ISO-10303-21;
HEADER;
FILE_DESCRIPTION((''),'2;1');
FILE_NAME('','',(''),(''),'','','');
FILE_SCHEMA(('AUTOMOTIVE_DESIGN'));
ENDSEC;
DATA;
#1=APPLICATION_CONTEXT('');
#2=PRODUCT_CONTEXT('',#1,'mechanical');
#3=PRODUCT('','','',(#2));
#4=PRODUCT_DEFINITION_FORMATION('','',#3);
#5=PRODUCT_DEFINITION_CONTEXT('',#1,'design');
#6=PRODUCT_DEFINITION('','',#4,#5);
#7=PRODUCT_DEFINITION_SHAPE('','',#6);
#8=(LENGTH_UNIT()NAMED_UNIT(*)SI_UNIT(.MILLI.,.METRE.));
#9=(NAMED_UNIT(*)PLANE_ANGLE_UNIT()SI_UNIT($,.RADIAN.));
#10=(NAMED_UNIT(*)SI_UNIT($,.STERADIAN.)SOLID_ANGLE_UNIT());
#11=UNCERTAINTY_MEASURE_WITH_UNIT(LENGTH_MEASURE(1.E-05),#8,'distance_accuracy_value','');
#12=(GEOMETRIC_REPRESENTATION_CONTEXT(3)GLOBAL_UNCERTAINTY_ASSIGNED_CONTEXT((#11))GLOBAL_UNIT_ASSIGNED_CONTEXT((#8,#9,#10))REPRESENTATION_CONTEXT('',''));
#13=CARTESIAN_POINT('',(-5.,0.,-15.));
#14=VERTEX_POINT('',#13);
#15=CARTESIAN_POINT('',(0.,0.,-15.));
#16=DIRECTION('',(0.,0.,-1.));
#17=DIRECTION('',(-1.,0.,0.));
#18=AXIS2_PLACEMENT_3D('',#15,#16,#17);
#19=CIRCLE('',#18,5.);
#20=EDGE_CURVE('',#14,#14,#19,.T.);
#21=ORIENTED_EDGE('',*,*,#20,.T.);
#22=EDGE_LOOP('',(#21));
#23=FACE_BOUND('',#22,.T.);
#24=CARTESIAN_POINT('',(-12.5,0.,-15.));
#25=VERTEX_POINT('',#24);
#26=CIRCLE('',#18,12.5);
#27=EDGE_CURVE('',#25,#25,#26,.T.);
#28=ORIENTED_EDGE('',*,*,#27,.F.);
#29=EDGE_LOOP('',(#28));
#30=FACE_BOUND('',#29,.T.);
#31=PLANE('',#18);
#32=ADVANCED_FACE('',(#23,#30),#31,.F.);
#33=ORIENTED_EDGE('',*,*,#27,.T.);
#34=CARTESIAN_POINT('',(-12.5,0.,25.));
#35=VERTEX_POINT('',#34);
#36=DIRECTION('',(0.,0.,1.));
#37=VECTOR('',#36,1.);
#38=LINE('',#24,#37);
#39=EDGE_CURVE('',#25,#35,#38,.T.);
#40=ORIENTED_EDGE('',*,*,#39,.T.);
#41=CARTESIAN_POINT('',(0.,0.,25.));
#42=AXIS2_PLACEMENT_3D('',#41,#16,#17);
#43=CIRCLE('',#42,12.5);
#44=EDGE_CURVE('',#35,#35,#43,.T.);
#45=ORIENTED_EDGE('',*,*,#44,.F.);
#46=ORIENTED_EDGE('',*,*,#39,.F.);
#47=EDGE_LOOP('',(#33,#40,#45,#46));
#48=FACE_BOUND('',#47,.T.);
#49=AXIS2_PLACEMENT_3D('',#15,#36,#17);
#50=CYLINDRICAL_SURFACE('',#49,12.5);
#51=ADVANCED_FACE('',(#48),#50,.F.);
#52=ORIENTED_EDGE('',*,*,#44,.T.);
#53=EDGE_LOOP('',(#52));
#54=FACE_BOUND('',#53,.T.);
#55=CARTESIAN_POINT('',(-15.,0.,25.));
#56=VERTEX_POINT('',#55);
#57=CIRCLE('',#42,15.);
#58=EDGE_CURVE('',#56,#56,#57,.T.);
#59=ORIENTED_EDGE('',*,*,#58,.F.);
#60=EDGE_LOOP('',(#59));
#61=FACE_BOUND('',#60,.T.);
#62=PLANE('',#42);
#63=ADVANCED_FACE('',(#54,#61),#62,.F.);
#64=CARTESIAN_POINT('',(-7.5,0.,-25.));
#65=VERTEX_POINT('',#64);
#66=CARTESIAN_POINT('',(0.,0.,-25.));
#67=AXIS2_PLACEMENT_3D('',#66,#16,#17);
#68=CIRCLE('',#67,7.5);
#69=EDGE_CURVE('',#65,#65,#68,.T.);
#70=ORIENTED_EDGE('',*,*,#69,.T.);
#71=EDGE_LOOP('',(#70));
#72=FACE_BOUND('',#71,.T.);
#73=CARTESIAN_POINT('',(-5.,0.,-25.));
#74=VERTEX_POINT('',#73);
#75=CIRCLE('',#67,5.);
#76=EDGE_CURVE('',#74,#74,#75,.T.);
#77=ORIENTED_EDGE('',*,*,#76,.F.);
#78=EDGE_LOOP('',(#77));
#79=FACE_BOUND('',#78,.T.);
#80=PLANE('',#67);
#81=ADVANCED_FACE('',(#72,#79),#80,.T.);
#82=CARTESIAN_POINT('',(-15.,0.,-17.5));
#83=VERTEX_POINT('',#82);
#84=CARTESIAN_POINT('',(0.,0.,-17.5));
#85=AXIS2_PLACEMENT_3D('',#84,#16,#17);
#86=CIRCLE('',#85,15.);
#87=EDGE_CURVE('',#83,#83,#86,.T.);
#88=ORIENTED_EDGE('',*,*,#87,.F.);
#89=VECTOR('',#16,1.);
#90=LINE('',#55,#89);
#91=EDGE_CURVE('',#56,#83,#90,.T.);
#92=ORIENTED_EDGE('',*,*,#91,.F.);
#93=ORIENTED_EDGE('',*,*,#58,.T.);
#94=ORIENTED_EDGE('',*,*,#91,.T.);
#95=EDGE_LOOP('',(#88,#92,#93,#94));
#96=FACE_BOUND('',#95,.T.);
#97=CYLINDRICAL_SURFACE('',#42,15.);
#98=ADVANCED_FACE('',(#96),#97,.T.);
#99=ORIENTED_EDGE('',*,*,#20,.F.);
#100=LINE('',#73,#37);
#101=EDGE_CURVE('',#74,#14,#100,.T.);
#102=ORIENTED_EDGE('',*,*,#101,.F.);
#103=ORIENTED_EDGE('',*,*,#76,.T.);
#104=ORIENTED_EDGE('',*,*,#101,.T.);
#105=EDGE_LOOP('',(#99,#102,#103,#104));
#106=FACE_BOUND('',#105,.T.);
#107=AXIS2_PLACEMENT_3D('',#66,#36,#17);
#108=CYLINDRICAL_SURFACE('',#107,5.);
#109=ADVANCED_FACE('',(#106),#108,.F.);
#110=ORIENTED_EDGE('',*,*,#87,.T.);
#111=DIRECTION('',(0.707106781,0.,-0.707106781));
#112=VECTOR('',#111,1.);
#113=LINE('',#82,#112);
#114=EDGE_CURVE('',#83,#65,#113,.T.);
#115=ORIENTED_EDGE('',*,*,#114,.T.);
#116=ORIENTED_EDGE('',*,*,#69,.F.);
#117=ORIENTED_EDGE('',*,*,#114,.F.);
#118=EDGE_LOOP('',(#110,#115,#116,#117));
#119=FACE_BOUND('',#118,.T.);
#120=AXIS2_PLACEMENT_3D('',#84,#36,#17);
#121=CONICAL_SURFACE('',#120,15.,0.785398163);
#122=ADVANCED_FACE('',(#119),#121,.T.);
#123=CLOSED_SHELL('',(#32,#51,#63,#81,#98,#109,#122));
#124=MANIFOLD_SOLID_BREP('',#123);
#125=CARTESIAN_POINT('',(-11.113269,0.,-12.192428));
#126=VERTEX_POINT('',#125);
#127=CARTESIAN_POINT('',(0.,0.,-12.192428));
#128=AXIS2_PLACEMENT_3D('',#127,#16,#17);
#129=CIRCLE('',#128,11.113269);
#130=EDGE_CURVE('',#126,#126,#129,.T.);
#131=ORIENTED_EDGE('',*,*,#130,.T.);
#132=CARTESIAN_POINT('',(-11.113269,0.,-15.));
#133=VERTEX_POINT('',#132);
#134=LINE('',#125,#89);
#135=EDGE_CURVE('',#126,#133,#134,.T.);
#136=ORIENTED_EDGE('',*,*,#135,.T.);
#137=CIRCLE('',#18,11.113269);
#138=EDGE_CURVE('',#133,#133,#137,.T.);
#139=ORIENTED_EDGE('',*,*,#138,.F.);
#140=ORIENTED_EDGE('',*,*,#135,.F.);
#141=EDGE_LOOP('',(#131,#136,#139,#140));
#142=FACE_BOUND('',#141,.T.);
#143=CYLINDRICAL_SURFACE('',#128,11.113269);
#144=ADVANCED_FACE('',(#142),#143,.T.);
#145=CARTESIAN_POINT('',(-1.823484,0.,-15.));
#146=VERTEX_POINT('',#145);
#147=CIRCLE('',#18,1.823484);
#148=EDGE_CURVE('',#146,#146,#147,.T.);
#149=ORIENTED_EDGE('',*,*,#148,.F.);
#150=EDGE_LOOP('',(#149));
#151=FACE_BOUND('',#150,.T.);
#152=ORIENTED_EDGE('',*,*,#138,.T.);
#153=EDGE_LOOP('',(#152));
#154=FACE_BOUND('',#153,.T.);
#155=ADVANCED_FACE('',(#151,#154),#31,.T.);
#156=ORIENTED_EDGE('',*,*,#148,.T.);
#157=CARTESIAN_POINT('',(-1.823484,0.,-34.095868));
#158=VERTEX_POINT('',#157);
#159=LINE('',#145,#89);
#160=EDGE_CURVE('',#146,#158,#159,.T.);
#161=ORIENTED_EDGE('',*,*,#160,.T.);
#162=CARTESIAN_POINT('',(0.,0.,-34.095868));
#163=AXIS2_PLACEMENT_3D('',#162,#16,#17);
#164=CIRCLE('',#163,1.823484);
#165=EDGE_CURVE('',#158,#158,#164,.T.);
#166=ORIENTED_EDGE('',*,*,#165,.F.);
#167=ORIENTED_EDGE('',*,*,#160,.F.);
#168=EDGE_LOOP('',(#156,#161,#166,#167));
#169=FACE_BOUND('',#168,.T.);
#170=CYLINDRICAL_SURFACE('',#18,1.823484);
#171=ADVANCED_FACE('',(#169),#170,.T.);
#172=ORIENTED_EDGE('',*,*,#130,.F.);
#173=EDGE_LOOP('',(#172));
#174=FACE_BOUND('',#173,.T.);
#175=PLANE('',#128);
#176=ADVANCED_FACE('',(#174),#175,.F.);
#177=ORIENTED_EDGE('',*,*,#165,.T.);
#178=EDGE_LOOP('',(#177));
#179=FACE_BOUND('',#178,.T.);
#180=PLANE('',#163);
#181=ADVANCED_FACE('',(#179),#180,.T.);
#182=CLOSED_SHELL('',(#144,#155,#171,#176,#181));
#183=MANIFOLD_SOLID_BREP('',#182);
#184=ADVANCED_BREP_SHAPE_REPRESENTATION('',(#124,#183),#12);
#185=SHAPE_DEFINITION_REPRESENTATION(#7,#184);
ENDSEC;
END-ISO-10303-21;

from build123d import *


with BuildPart() as f1:
    # F0 (on Front) → F1 (revolve)
    with BuildSketch(Plane.XZ):
        Polygon((-12.5, -15), (-12.5, 25), (-15, 25), (-15, -17.5), (-7.5, -25), (-5, -25), (-5, -15), align=None)
    revolve(axis=Axis((0, 0, 0.961619), (0, 0, -1)))


with BuildPart() as f3:
    # F2 (on Front) → F3 (revolve)
    with BuildSketch(Plane.XZ):
        Polygon((-11.113269, -15), (-5, -15), (-1.823484, -15), (-1.823484, -34.095868), (0, -34.095868), (0, -12.192428), (-11.113269, -12.192428), align=None)
    revolve(axis=Axis((0, 0, 0.961619), (0, 0, -1)))


solid = Compound([f1.part, f3.part])
